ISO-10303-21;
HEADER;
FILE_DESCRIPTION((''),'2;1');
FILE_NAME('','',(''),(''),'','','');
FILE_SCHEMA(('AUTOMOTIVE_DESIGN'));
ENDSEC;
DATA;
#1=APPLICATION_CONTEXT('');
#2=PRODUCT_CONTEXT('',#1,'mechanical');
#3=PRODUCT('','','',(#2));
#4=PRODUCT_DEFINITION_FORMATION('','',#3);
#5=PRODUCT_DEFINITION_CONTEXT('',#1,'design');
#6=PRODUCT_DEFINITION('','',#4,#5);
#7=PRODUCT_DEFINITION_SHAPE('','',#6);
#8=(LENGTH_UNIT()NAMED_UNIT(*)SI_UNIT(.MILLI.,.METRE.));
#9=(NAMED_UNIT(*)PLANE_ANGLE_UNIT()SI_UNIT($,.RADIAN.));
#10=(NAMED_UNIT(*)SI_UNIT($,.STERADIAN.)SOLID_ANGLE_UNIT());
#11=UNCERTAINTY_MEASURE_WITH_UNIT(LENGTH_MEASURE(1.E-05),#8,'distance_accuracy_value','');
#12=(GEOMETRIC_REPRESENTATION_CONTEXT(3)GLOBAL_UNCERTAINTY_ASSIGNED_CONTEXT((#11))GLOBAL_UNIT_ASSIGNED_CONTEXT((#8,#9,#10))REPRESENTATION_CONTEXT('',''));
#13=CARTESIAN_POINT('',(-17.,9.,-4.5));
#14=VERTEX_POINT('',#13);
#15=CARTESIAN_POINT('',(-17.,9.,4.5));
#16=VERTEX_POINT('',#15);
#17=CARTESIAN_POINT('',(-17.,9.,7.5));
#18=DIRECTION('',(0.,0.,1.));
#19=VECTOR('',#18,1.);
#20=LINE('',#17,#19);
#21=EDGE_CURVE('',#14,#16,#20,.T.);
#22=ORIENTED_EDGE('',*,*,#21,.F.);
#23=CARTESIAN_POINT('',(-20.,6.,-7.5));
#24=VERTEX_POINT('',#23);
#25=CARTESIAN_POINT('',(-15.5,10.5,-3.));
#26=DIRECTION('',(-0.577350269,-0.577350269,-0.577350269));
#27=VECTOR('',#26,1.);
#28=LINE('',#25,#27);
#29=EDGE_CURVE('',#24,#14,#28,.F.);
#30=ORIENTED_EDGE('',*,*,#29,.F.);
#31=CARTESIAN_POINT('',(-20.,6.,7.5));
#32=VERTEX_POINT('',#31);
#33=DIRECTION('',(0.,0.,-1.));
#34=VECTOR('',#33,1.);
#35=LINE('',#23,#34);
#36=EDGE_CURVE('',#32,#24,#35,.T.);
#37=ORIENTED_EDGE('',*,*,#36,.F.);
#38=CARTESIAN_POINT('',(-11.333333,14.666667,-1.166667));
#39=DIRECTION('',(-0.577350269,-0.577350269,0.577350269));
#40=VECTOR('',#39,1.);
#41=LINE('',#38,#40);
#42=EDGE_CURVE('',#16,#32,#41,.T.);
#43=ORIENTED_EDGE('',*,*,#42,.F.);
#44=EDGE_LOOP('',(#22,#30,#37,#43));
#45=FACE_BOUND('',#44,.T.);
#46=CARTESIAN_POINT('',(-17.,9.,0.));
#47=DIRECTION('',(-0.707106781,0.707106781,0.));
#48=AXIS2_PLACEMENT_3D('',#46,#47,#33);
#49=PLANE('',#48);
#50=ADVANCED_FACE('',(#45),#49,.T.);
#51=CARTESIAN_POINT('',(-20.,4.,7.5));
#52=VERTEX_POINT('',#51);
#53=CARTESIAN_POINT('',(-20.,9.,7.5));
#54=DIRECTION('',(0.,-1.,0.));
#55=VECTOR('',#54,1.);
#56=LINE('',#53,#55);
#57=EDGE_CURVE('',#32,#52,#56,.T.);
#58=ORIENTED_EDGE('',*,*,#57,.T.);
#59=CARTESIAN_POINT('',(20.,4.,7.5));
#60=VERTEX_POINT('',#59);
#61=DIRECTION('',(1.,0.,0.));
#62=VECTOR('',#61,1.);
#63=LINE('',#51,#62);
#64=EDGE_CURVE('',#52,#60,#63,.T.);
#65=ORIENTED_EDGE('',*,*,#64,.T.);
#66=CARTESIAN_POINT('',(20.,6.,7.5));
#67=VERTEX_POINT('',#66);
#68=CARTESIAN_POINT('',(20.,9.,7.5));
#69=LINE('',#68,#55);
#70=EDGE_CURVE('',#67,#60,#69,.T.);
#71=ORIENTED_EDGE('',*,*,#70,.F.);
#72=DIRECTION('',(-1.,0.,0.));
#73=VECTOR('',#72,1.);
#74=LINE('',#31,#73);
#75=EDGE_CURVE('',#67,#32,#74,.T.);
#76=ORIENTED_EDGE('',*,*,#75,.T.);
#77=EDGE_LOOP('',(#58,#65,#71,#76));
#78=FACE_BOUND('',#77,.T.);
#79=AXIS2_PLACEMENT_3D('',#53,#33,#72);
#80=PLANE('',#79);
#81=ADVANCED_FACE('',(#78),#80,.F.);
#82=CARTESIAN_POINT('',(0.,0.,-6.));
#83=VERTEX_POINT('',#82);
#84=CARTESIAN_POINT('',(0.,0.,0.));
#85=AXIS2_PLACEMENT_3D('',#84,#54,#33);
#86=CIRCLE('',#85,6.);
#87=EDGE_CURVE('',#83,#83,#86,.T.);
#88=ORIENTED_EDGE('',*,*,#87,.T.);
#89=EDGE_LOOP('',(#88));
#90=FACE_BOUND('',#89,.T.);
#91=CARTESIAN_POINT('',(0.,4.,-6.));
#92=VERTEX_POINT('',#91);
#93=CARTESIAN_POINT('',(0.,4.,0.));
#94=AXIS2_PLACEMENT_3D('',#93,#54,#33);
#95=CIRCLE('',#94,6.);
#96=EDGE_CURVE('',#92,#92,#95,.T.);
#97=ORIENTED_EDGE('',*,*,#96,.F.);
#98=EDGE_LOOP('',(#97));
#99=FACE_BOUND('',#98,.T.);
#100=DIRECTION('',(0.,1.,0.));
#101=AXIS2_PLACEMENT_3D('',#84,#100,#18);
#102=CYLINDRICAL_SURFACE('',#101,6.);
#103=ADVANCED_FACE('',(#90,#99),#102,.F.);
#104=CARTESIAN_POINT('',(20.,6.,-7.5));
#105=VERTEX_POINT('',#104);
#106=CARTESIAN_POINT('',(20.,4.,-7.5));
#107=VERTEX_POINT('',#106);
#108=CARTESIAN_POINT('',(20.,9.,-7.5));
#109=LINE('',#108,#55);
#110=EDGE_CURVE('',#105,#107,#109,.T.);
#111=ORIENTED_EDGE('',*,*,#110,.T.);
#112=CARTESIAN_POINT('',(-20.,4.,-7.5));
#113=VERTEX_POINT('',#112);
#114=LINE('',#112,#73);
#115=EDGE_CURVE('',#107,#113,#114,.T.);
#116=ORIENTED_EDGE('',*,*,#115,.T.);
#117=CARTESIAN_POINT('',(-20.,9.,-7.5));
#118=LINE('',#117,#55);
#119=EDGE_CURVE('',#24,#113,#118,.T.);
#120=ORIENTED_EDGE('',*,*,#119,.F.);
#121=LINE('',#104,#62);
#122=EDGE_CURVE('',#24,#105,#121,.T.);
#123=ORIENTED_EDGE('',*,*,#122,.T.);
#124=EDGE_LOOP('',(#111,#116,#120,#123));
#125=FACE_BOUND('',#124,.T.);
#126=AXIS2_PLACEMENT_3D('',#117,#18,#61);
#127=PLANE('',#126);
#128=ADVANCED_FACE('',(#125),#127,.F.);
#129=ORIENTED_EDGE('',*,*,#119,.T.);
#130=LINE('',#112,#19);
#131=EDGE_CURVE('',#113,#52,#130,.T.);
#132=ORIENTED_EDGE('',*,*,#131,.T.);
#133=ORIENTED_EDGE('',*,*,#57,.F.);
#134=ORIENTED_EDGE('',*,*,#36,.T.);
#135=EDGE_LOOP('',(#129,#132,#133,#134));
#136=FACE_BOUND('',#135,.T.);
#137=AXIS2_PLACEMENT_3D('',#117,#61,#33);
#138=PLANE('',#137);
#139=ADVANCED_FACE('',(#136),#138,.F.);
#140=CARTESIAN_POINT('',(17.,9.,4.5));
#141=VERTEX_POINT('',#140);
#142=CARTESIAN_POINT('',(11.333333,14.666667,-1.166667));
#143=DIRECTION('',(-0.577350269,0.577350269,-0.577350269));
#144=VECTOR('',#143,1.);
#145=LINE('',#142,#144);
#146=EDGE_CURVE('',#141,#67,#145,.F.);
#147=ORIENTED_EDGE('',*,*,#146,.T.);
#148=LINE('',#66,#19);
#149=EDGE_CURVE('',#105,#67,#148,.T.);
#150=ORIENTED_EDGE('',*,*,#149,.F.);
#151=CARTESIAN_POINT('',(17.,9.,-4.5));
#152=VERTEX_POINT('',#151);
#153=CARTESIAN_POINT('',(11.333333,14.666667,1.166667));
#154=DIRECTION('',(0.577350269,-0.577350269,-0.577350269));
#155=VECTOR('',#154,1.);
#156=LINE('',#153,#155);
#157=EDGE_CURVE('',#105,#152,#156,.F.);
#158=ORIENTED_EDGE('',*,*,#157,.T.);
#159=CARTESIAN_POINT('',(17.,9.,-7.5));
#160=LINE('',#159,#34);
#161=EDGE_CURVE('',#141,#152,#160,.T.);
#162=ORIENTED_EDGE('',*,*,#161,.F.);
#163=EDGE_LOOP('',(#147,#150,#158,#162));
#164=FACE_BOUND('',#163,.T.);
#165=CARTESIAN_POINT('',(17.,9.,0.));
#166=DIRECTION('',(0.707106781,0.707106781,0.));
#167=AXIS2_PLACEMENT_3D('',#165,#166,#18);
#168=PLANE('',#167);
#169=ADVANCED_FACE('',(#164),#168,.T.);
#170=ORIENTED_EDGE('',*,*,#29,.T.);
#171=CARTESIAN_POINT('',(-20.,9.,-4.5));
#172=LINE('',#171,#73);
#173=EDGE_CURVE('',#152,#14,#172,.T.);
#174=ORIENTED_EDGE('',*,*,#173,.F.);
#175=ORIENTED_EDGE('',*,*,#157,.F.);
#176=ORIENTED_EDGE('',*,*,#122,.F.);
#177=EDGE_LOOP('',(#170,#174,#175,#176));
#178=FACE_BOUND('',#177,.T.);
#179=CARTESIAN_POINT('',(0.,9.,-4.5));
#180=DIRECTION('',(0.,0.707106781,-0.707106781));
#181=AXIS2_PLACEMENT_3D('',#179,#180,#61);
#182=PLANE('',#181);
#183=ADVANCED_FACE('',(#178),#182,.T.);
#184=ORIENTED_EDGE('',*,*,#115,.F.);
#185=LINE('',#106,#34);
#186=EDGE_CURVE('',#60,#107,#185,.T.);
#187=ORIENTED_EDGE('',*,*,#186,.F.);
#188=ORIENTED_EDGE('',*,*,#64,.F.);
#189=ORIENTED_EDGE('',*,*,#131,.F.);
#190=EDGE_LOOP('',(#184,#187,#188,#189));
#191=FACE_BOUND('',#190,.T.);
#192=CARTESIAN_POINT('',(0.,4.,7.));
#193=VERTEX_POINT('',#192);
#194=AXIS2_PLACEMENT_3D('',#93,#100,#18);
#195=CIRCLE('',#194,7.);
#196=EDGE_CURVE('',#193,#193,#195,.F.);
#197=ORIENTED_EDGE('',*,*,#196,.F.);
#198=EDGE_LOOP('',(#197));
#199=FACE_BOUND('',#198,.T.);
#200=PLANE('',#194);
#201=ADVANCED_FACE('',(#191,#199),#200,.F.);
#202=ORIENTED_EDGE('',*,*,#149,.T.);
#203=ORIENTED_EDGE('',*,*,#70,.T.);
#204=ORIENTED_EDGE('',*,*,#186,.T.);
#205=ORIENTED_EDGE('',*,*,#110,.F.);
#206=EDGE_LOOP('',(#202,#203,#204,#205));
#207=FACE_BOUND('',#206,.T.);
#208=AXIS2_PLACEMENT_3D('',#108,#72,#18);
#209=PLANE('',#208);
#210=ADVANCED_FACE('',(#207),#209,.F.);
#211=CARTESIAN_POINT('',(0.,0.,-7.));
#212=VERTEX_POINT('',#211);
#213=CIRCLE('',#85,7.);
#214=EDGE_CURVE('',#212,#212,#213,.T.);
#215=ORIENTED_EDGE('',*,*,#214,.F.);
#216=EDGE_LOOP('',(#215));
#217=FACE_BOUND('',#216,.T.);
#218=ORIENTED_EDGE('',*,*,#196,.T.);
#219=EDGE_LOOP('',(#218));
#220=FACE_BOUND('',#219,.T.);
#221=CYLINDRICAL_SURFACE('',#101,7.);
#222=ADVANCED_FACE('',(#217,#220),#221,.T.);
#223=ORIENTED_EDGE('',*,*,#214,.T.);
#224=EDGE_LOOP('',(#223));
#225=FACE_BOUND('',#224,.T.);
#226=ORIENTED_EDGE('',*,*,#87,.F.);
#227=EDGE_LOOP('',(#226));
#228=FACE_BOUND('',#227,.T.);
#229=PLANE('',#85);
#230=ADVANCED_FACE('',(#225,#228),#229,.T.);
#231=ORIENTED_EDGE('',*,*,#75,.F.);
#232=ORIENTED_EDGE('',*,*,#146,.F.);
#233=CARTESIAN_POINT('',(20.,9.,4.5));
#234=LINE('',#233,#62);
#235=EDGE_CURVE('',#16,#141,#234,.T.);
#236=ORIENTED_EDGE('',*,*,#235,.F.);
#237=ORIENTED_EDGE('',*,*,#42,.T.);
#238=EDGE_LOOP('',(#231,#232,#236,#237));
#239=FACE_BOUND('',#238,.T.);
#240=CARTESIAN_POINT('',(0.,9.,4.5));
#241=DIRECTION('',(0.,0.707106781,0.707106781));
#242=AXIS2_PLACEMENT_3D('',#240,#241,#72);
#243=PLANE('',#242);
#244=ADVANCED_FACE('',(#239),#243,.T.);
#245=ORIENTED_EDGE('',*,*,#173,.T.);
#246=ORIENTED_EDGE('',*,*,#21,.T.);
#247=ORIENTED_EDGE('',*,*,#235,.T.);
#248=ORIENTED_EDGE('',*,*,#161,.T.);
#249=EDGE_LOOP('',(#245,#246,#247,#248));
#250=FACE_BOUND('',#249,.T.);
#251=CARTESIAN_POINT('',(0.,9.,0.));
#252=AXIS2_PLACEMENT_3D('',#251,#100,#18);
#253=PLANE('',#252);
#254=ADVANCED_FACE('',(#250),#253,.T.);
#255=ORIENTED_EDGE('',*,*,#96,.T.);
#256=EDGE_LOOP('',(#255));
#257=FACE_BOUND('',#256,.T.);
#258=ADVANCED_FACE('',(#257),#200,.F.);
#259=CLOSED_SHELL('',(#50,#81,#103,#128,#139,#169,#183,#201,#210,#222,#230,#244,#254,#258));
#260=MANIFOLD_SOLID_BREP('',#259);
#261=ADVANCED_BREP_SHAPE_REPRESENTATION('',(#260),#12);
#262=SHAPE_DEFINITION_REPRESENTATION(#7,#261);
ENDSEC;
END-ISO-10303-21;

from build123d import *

# Parameters (mm, degrees)
SKETCH2_W           = 40
SKETCH2_H           = 15
BOSS_EXTRUDE2_DEPTH = 5
CHAMFER1_SIZE       = 3
SKETCH5_R           = 7
SKETCH5_R_2         = 6
BOSS_EXTRUDE4_DEPTH = 4


with BuildPart() as part:
    # Sketch2 → Boss-Extrude2 (new body)
    with BuildSketch(Plane(origin=(0, 4, 0), x_dir=(1, 0, 0), z_dir=(0, 1, 0))):
        Rectangle(SKETCH2_W, SKETCH2_H)
    extrude(amount=BOSS_EXTRUDE2_DEPTH)

    # Chamfer1
    chamfer1_edges = [part.edges().sort_by_distance(p)[0] for p in [
        (-20, 9, 0),
        (0, 9, 7.5),
        (20, 9, 0),
        (0, 9, -7.5),
    ]]
    chamfer(chamfer1_edges, length=CHAMFER1_SIZE)

    # Sketch5 → Boss-Extrude4 (add)
    with BuildSketch(Plane(origin=(0, 4, 0), x_dir=(-1, 0, 0), z_dir=(0, -1, 0))):
        with Locations(Location((0, 0, 0), (0, 0, 270))):
            Circle(SKETCH5_R)
        with Locations(Location((0, 0, 0), (0, 0, 90))):
            Circle(SKETCH5_R_2, mode=Mode.SUBTRACT)
    extrude(amount=BOSS_EXTRUDE4_DEPTH)


solid = part.part
